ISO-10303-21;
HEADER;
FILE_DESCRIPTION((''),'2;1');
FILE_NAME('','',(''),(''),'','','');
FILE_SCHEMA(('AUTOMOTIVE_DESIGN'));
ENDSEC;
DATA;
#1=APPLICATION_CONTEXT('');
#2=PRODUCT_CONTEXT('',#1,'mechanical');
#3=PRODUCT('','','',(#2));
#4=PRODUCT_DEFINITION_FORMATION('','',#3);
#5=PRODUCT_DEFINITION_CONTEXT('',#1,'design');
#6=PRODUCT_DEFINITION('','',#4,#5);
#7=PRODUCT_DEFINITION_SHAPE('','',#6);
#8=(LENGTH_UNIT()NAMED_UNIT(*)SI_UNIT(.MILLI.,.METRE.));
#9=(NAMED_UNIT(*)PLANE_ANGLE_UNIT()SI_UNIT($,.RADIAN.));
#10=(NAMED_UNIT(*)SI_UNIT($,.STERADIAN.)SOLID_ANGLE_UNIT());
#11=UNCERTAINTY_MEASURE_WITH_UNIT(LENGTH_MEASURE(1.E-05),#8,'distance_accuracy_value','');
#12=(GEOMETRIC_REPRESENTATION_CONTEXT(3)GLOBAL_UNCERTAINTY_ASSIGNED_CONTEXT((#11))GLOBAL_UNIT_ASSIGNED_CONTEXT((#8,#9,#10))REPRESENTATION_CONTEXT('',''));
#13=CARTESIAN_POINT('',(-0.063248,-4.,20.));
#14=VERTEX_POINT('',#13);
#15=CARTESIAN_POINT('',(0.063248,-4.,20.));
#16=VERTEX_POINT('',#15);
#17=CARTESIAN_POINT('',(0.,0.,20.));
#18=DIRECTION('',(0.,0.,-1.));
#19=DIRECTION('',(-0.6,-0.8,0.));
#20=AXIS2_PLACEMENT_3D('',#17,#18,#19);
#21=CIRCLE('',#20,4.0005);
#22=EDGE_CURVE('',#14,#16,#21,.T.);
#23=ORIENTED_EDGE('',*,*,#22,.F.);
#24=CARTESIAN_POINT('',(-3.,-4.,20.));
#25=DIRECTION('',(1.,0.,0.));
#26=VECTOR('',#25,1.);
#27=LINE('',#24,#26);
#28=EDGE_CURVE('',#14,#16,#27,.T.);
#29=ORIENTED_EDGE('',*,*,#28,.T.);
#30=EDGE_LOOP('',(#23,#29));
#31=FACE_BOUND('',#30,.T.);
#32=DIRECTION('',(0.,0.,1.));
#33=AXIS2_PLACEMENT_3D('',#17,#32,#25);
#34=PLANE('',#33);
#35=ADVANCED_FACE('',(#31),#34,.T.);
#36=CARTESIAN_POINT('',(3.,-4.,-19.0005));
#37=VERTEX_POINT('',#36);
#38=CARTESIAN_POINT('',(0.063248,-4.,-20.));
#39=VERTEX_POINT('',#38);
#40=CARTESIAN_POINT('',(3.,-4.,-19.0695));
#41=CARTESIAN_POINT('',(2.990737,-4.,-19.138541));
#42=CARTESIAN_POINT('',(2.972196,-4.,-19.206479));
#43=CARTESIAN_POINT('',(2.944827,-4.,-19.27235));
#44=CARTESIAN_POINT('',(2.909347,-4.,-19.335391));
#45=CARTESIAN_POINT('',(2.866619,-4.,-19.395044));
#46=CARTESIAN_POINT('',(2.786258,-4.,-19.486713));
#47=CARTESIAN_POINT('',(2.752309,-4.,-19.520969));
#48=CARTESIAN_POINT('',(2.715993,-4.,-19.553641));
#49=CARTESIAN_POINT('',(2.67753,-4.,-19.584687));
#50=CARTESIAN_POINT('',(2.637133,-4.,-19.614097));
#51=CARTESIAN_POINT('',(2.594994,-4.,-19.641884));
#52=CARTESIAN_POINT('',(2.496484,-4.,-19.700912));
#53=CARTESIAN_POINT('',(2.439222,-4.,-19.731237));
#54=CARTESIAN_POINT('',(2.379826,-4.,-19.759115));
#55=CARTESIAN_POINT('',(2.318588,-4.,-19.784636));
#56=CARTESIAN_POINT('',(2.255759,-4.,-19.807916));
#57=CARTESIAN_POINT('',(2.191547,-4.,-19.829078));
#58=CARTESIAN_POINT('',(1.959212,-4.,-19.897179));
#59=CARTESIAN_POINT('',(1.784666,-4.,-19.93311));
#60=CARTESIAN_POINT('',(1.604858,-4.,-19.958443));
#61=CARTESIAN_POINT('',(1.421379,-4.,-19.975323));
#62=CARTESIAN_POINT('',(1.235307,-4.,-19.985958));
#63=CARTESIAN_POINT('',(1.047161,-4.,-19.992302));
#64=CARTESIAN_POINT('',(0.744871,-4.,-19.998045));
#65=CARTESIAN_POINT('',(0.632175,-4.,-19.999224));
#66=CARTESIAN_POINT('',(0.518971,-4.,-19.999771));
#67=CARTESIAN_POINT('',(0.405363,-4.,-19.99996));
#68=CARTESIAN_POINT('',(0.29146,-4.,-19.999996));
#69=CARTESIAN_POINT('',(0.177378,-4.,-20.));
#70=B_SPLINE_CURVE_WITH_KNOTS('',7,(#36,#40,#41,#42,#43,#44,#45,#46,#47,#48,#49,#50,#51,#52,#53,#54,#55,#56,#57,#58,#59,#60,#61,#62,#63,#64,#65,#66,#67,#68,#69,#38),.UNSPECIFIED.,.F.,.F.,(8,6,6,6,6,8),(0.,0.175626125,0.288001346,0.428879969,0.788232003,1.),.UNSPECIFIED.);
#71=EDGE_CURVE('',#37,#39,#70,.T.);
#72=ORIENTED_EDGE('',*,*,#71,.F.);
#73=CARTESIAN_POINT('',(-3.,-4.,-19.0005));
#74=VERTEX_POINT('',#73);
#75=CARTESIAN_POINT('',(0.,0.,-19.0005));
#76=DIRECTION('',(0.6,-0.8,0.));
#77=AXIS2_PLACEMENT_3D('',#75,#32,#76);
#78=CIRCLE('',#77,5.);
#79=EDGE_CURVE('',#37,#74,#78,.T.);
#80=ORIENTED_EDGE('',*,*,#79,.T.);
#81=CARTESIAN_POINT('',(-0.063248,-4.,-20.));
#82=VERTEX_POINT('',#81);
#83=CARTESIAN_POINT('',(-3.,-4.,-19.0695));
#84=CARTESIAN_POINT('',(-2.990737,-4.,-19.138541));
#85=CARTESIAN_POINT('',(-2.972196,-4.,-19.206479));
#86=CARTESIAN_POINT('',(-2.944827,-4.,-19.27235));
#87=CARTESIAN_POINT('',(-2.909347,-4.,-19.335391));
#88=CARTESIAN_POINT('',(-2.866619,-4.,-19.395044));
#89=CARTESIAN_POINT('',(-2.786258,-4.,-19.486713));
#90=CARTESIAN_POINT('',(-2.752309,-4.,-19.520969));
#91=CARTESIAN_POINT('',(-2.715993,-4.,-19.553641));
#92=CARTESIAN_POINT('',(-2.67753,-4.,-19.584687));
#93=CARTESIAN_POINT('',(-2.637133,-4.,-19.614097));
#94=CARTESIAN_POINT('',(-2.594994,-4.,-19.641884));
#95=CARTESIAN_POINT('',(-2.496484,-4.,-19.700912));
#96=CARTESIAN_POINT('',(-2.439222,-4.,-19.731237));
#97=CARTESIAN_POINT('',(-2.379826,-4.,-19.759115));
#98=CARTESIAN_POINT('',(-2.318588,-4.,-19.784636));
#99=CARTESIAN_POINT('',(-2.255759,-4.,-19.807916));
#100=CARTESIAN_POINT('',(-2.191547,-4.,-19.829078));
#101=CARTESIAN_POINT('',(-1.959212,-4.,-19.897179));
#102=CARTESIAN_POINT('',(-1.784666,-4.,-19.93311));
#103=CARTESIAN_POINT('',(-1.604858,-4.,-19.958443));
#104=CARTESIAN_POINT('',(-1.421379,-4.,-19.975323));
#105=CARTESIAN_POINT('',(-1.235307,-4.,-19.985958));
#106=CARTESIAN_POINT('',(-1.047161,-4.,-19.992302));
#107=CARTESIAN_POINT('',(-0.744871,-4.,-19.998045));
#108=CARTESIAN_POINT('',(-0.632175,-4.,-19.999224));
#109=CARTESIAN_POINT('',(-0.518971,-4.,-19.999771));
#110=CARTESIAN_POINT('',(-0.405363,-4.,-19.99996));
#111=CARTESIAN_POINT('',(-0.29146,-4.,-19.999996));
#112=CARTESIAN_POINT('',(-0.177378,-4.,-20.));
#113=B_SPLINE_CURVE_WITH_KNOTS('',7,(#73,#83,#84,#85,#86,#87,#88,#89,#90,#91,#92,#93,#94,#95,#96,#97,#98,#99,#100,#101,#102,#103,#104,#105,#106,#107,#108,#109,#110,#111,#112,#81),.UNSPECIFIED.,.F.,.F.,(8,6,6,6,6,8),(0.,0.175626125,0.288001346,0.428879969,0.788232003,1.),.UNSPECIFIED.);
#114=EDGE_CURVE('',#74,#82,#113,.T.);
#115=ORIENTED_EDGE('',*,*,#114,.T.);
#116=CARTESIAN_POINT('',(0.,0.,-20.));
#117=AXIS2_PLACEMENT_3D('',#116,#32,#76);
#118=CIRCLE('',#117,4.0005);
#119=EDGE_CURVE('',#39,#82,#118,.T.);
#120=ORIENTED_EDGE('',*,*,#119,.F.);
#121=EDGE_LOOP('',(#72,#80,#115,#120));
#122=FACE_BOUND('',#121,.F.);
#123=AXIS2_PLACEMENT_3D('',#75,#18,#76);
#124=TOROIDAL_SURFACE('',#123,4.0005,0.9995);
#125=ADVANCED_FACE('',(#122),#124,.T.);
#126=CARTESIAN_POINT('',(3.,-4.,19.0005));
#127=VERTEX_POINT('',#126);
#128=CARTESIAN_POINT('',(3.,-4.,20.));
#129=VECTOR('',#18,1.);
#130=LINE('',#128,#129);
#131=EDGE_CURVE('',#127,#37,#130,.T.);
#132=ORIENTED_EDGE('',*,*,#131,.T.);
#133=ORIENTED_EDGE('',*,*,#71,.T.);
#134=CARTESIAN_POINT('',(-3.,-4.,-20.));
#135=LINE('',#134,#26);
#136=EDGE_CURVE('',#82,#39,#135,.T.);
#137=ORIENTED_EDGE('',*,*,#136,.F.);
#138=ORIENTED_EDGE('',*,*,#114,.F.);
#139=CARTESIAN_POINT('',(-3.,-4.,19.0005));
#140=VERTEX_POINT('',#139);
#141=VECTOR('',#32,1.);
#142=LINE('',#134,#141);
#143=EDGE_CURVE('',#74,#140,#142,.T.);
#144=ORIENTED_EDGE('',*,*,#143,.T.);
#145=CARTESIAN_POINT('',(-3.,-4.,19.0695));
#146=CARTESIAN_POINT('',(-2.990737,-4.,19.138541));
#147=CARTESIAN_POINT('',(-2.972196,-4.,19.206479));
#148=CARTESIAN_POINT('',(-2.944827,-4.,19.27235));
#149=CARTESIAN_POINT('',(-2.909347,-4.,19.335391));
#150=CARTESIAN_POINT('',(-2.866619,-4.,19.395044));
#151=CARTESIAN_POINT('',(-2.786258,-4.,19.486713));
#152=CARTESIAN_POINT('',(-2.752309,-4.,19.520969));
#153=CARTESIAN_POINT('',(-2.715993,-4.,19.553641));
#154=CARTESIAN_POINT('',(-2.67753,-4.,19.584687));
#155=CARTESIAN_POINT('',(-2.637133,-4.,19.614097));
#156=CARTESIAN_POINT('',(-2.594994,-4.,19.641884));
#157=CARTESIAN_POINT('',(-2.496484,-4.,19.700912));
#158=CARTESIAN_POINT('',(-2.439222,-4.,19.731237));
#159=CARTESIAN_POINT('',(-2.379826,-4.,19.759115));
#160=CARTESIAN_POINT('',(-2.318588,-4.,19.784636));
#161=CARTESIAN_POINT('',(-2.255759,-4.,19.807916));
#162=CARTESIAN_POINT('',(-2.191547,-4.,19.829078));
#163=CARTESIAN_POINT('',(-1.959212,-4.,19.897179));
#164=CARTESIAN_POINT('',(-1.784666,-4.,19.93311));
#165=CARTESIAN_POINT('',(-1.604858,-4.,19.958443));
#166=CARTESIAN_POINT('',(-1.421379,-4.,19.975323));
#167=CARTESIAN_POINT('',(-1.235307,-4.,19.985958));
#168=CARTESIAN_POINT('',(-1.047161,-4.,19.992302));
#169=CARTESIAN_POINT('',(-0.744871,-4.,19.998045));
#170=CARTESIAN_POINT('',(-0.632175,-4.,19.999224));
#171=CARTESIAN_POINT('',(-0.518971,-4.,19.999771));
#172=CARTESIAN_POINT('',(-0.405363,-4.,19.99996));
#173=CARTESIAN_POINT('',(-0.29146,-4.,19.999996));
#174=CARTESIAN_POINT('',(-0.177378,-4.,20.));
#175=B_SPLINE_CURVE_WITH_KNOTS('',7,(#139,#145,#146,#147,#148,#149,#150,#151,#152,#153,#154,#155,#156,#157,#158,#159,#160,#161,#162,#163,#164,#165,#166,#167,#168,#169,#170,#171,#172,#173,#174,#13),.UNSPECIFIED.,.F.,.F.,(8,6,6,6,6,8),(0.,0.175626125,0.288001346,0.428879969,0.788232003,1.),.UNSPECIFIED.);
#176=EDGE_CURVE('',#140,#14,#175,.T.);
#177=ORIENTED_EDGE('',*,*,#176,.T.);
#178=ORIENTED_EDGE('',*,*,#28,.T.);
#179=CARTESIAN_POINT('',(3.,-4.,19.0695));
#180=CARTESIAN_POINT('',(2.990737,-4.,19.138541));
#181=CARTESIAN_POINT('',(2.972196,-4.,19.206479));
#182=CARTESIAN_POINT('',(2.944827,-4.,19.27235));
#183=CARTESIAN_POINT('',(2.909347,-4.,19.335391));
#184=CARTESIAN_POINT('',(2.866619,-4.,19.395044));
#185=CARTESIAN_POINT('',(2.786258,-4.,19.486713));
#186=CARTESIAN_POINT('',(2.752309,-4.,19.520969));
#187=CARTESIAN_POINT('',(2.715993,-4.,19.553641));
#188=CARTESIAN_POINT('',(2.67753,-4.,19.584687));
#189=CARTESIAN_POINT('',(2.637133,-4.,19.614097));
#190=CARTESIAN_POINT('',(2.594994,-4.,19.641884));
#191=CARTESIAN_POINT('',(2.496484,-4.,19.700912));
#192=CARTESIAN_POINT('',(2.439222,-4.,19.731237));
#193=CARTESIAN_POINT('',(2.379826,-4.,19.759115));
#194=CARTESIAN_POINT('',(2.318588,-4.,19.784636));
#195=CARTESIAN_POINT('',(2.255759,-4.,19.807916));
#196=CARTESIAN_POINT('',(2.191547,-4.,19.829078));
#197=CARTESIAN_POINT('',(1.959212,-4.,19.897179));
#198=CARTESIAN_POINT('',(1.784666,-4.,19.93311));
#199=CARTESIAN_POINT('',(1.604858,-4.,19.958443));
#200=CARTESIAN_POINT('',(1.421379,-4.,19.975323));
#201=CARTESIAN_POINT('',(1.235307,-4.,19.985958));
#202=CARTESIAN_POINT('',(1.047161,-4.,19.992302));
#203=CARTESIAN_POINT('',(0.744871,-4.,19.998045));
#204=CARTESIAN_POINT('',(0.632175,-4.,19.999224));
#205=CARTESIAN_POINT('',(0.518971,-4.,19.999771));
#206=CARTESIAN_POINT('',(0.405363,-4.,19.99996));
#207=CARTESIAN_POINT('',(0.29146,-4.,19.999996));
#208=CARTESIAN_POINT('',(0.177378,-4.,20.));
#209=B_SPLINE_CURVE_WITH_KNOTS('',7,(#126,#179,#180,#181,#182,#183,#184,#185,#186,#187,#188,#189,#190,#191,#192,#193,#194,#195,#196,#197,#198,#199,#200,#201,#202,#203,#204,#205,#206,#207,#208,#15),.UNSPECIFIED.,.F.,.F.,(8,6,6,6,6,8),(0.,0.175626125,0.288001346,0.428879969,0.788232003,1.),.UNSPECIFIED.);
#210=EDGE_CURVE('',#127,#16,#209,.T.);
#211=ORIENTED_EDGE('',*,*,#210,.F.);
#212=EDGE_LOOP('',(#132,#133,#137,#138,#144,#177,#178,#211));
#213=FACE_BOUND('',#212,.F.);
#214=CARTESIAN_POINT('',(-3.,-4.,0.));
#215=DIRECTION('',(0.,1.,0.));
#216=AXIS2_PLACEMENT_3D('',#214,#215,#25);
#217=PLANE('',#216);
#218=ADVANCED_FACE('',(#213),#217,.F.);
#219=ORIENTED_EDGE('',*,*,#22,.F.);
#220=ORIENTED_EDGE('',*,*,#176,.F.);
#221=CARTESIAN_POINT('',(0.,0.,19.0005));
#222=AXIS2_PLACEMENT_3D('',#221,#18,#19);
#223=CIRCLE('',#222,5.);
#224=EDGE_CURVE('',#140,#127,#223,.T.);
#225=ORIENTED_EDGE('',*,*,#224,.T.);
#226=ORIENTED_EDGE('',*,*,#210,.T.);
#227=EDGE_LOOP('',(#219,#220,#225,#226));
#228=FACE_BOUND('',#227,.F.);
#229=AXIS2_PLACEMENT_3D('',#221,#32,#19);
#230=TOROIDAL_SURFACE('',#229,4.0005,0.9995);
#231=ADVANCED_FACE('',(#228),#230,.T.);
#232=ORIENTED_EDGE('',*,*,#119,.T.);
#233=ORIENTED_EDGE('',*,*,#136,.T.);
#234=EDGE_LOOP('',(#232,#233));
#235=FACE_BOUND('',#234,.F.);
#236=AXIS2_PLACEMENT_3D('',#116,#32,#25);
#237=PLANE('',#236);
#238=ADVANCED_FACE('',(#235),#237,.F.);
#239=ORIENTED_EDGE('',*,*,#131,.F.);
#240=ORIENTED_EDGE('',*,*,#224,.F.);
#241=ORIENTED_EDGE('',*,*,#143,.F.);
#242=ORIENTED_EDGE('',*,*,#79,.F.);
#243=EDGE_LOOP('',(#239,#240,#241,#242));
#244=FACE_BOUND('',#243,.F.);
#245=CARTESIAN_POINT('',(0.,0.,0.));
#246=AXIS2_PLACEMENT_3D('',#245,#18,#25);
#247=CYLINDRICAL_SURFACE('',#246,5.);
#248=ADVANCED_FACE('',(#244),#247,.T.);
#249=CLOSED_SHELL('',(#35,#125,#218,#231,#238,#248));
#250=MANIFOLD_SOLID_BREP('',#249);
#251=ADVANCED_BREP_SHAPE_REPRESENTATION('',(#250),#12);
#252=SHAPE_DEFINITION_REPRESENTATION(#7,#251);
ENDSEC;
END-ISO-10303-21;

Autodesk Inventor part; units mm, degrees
ref_plane "YZ Plane" through (0, 0, 0) normal (1, 0, 0) x (0, 1, 0)
ref_plane "XZ Plane" through (0, 0, 0) normal (0, 1, 0) x (-1, 0, 0)
ref_plane "XY Plane" through (0, 0, 0) normal (0, 0, 1) x (1, 0, 0)
sketch "Sketch1" plane through (0, 0, 0) normal (0, 0, 1) x (1, 0, 0)
  circle A0 centre (0, 0) radius 5
  line L0 (-3, -4) -> (3, -4)
  dimension "d3" = 10
  dimension "d4" = 1
extrude "Extrusion1" add sketch "Sketch1" along normal mid plane 40 contours A0 L0 picked at (0.9594, -1.3039)
fillet "Fillet1" radius 1 2 edges at (0, 5, 20) (0, 5, -20)
properties part number "plate_joint_shaft_3DPrint"
